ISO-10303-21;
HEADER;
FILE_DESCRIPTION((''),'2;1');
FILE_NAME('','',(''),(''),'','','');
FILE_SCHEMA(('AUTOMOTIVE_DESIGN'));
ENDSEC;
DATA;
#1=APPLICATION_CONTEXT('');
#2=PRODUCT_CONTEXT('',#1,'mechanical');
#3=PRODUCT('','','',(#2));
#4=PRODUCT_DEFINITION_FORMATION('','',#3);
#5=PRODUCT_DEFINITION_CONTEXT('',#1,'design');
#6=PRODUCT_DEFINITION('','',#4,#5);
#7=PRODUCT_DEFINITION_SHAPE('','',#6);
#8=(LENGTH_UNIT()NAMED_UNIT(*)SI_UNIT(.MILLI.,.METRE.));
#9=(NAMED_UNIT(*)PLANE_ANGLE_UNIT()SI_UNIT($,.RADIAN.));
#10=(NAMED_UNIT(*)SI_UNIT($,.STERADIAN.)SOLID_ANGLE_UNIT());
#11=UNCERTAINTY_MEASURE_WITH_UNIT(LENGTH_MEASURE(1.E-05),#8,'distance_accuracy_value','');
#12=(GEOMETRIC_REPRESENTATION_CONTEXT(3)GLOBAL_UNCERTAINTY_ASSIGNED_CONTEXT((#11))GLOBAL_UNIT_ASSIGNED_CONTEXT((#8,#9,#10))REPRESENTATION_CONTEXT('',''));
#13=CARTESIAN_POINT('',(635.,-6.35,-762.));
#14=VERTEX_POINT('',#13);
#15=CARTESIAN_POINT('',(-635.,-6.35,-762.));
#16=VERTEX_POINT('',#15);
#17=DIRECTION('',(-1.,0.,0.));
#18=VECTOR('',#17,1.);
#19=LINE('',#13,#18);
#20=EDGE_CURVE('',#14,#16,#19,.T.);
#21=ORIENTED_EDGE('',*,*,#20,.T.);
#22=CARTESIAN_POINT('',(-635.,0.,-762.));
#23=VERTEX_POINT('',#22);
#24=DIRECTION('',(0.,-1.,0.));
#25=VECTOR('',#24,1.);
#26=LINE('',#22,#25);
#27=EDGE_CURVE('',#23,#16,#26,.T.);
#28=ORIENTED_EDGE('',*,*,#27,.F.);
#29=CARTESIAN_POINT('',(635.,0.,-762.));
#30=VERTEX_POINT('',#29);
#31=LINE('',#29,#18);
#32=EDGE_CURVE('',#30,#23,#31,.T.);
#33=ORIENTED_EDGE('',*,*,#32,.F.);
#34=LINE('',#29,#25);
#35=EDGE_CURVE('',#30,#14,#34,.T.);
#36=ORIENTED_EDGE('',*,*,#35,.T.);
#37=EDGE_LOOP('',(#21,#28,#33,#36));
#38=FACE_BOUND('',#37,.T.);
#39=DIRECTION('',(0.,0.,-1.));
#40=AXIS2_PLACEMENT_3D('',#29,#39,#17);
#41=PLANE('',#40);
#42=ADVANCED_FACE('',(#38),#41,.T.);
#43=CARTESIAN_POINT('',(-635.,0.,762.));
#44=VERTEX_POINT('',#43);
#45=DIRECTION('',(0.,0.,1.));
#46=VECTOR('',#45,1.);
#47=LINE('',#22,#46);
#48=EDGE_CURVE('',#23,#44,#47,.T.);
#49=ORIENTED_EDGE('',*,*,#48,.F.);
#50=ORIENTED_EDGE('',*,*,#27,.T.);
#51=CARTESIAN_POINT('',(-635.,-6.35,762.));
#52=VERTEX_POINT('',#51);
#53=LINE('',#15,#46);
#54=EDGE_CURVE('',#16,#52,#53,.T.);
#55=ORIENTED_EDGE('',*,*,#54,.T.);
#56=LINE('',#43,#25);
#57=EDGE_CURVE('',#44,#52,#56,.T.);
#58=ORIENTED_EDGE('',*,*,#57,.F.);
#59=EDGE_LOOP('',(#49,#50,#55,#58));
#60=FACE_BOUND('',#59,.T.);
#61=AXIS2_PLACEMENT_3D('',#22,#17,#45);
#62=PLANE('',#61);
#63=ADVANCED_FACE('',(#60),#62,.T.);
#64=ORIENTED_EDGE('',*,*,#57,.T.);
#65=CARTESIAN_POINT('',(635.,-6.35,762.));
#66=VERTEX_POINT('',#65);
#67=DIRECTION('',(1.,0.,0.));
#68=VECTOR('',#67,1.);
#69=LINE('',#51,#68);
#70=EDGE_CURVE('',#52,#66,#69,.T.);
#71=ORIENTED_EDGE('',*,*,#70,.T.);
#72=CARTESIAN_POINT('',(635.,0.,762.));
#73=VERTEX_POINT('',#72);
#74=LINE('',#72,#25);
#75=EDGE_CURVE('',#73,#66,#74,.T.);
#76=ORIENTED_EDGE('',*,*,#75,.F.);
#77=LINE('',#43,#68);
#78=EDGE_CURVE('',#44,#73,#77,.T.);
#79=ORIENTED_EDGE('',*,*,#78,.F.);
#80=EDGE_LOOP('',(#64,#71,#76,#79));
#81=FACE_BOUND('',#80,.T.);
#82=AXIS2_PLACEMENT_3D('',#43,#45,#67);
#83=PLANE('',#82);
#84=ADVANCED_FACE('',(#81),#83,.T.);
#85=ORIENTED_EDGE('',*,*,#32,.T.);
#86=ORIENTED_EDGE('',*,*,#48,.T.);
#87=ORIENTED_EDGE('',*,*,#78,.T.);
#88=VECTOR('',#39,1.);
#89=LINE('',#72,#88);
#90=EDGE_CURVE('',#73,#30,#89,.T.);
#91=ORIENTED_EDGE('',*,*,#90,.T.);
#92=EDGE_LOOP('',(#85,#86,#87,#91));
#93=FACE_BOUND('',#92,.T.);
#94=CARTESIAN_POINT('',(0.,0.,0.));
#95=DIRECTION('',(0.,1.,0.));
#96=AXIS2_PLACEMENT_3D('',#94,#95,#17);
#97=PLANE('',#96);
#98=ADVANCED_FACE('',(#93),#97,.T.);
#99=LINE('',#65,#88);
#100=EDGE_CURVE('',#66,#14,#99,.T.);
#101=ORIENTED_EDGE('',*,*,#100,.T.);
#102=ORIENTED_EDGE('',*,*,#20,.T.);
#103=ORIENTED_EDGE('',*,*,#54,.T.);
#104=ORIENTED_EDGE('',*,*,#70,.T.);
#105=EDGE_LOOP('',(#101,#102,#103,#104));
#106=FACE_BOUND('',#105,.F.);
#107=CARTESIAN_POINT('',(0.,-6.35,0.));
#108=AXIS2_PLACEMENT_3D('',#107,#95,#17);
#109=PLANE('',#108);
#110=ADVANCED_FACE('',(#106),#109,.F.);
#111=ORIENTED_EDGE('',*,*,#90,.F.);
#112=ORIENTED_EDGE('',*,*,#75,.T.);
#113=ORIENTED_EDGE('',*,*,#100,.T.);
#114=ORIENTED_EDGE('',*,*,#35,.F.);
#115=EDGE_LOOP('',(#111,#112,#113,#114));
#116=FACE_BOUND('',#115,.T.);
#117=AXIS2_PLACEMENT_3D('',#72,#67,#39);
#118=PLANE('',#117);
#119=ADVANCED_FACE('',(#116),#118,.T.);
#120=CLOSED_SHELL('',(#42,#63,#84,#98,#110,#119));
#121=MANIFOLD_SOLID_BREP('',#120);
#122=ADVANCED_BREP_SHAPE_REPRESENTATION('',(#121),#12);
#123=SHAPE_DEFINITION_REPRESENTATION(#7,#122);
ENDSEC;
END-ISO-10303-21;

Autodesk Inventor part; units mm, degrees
ref_plane "YZ Plane" through (0, 0, 0) normal (1, 0, 0) x (0, 1, 0)
ref_plane "XZ Plane" through (0, 0, 0) normal (0, 1, 0) x (-1, 0, 0)
ref_plane "XY Plane" through (0, 0, 0) normal (0, 0, 1) x (1, 0, 0)
sketch "Sketch1" plane through (0, 0, 0) normal (0, 1, 0) x (-1, 0, 0)
  line L0 (635, 762) -> (-635, 762)
  line L1 (-635, 762) -> (-635, -762)
  line L2 (-635, -762) -> (635, -762)
  line L3 (635, -762) -> (635, 762)
  line L4 (635, 762) -> (-635, -762) construction
  line L5 (-635, 762) -> (635, -762) construction
  point P0 (0, 0)
  dimension "d0" = 1270
  dimension "d1" = 1524
extrude "Extrusion1" add sketch "Sketch1" against normal blind 6.35
properties part number "Floor" material "Polycarbonate, Smoke"
